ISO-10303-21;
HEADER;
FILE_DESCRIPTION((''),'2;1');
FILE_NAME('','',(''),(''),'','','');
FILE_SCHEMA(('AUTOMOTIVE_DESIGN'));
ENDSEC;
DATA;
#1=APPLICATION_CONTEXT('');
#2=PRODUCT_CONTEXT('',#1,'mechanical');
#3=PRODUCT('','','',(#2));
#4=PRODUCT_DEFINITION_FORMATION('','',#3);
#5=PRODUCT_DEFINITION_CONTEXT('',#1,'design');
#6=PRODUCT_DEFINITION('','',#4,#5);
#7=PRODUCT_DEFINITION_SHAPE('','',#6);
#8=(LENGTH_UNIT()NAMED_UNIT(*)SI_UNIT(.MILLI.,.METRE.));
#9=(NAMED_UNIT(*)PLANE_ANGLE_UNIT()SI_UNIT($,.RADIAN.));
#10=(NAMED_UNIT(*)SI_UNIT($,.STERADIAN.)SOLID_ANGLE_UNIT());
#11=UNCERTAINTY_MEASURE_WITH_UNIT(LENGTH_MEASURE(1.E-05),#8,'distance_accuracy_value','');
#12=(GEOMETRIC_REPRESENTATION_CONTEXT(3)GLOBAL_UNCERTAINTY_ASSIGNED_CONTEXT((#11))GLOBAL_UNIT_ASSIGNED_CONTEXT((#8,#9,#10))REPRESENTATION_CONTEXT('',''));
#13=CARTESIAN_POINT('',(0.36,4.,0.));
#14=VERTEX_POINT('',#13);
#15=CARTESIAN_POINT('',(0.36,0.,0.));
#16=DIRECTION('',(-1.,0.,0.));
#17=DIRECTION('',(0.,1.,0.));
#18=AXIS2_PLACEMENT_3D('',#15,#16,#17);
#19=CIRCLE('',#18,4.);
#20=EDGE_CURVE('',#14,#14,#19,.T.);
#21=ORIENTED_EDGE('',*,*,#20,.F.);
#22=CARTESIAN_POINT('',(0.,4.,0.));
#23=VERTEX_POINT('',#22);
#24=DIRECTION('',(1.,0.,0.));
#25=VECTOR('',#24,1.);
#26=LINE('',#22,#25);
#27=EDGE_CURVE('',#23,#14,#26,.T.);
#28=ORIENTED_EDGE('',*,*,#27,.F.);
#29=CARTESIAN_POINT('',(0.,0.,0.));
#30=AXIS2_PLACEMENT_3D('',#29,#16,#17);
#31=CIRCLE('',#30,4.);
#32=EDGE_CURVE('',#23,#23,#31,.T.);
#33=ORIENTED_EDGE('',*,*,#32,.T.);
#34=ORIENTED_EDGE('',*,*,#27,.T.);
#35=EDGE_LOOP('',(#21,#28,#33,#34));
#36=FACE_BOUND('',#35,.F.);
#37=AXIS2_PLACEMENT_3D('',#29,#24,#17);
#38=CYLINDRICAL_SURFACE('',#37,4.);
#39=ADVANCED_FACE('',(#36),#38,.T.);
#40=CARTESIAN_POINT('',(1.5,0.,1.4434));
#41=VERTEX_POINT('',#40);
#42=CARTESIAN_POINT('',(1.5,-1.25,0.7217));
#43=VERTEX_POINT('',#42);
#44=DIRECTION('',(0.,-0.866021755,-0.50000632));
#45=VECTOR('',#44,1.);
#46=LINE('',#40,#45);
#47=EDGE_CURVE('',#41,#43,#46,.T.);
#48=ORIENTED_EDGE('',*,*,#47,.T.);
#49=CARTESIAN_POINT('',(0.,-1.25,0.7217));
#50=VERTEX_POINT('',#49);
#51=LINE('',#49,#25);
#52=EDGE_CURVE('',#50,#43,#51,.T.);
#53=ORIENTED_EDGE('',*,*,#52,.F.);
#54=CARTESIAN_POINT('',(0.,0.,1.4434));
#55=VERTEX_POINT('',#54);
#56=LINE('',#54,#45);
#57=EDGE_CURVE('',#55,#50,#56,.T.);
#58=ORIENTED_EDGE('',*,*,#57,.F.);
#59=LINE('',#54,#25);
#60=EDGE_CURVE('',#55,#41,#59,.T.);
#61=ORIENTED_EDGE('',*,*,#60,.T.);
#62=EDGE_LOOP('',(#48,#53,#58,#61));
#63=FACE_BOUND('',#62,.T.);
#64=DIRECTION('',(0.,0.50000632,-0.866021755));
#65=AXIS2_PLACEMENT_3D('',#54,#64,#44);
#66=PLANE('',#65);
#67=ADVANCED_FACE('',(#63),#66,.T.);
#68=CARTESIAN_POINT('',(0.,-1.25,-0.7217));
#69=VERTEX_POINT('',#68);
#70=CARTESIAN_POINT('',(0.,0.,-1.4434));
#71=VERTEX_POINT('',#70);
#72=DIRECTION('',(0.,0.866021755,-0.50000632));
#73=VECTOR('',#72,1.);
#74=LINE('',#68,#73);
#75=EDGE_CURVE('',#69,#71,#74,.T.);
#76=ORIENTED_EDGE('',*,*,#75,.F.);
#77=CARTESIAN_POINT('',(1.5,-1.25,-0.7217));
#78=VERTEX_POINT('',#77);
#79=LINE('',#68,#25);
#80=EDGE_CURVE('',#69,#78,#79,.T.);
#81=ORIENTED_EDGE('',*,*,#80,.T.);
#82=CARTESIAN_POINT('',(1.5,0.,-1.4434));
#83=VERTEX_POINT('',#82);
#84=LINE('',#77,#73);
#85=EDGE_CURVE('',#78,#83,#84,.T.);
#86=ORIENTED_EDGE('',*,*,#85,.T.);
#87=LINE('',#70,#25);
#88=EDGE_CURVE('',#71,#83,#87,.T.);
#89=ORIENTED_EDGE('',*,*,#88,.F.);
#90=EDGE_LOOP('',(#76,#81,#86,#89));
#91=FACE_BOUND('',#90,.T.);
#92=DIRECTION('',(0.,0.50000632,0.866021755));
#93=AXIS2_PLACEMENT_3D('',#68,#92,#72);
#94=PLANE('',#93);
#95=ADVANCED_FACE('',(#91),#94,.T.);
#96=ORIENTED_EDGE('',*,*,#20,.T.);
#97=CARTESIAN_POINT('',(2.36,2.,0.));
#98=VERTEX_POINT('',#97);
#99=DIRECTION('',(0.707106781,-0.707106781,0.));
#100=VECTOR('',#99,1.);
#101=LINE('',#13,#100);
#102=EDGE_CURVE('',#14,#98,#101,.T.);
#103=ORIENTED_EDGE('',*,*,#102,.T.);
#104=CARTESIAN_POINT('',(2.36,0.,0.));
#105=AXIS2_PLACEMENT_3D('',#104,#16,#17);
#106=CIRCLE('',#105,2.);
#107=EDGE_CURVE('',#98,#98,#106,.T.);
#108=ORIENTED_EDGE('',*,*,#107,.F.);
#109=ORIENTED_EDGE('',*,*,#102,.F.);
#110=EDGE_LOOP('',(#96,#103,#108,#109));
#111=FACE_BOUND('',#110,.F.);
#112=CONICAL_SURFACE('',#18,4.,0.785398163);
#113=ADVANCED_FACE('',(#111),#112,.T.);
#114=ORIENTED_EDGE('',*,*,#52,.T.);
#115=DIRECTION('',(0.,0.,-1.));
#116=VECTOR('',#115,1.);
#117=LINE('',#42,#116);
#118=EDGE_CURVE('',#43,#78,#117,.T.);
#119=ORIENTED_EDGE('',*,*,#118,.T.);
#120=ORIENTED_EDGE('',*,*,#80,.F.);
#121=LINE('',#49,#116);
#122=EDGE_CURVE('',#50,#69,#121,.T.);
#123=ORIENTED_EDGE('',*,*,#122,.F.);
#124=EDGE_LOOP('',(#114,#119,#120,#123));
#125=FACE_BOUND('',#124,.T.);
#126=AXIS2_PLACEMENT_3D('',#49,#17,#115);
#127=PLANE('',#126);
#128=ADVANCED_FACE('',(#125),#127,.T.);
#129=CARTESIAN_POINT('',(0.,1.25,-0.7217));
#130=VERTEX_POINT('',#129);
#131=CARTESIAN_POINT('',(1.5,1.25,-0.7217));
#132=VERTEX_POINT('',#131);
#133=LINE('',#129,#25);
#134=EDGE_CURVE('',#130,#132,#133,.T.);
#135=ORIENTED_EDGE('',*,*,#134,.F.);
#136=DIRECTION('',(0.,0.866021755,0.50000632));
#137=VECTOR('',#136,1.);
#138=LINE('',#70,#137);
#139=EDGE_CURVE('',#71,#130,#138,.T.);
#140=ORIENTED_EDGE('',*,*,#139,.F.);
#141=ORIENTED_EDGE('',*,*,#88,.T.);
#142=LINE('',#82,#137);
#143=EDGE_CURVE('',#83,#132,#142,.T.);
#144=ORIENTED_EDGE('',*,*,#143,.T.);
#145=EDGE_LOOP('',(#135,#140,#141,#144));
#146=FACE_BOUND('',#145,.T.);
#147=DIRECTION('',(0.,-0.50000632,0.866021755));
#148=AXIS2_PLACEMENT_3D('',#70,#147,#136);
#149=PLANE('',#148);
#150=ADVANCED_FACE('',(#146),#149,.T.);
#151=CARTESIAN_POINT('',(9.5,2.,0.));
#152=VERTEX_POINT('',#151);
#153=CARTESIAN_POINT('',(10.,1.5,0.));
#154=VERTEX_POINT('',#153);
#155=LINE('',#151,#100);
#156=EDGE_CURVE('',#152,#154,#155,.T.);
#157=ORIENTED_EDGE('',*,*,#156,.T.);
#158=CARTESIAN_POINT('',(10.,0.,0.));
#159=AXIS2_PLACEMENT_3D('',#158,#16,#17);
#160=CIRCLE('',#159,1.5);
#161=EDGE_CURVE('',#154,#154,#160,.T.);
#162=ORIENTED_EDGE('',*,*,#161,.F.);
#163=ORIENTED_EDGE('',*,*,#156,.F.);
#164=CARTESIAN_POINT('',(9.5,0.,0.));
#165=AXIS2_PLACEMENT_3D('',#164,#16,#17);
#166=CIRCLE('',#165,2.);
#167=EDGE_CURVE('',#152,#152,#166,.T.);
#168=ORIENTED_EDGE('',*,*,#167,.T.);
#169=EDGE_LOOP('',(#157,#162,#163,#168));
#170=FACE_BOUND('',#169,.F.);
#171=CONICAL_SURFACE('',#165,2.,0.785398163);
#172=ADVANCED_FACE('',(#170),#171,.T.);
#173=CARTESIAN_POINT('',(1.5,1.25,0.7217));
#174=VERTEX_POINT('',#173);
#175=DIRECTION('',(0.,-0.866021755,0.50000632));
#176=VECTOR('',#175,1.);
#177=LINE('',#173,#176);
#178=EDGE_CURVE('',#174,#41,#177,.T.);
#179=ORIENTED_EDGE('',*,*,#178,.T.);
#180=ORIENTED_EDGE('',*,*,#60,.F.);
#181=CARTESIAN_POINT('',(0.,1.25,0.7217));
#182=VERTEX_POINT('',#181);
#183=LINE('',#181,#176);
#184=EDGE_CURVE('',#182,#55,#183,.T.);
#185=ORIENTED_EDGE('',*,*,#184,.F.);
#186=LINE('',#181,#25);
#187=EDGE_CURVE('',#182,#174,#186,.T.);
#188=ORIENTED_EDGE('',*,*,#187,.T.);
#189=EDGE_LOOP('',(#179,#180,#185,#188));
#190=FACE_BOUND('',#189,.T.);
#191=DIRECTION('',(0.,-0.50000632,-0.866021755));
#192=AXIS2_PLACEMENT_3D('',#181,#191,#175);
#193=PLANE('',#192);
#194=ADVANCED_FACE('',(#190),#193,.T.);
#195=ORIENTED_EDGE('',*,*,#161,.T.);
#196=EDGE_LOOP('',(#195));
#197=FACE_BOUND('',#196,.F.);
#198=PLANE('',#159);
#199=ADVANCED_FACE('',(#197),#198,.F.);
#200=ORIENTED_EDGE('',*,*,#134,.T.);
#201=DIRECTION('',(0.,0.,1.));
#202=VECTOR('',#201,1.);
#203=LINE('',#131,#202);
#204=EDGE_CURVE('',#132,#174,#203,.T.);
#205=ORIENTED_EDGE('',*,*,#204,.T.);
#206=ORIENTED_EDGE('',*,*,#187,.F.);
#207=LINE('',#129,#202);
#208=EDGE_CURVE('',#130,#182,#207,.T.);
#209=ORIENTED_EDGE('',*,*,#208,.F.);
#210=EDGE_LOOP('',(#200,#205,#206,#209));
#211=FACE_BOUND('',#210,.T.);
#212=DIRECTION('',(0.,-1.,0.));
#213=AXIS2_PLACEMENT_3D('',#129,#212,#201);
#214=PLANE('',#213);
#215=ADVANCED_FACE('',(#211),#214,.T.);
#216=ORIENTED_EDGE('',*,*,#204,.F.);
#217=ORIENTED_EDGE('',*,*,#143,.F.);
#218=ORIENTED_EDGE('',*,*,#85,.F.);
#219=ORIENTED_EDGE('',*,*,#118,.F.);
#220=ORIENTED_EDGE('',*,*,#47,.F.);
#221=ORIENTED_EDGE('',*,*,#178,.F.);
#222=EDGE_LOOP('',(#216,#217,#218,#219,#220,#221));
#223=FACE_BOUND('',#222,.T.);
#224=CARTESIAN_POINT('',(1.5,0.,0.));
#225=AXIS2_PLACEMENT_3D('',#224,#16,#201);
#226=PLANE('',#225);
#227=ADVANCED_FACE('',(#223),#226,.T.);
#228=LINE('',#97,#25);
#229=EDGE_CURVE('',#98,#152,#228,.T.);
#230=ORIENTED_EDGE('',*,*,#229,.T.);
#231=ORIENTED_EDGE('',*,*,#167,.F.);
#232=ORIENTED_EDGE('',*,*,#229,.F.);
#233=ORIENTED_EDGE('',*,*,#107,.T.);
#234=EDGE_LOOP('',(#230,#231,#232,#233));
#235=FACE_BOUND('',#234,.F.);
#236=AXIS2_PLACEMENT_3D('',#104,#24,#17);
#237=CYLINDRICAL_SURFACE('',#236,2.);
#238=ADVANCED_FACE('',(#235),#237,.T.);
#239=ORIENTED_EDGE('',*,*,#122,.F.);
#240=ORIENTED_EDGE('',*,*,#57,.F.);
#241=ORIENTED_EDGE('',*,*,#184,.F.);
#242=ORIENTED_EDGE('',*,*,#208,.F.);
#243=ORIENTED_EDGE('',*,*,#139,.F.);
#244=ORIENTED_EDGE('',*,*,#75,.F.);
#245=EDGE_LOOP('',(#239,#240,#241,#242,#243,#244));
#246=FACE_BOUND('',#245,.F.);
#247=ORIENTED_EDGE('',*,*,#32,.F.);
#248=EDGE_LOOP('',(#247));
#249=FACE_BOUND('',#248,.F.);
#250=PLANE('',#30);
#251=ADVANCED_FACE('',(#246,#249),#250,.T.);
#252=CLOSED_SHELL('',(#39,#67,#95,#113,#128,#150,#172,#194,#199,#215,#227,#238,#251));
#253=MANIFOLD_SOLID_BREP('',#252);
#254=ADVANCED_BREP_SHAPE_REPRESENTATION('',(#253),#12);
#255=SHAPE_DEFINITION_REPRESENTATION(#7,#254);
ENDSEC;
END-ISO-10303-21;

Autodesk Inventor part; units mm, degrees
ref_plane "YZ Plane" through (0, 0, 0) normal (1, 0, 0) x (0, 1, 0)
ref_plane "XZ Plane" through (0, 0, 0) normal (0, 1, 0) x (-1, 0, 0)
ref_plane "XY Plane" through (0, 0, 0) normal (0, 0, 1) x (1, 0, 0)
sketch "Sketch1" plane through (0, 0, 0) normal (0, 0, 1) x (1, 0, 0)
  line L0 (0, 0) -> (0, 4)
  line L1 (0, 4) -> (0.36, 4)
  line L2 (0.36, 4) -> (2.36, 2)
  line L3 (2.36, 2) -> (10, 2)
  line L4 (10, 2) -> (10, 0)
  line L5 (10, 0) -> (0, 0)
  dimension "d0" = 4
  dimension "d1" = 0.36
  dimension "d2" = 135
  dimension "d3" = 10
  dimension "d4" = 2
revolve "Revolution1" add sketch "Sketch1" angle 360 about axis through (10, 0, 0) along (-1, 0, 0)
chamfer "Chamfer1" distance 0.5 angle 45 1 edges at (10, -2, 0)
sketch "Sketch2" plane through (0, 0, 0) normal (-1, 0, 0) x (0, 0, 1)
  circle A0 centre (0, 0) radius 4 projected
  line L0 (-1.4434, 0) -> (-0.7217, 1.25)
  line L1 (-0.7217, 1.25) -> (0.7217, 1.25)
  line L2 (0.7217, 1.25) -> (1.4434, 0)
  line L3 (1.4434, 0) -> (0.7217, -1.25)
  line L4 (0.7217, -1.25) -> (-0.7217, -1.25)
  line L5 (-0.7217, -1.25) -> (-1.4434, 0)
  dimension "d9" = 2.5
extrude "Extrusion1" cut sketch "Sketch2" against normal blind 1.5 contours L0 L1 L2 L3 L4 L5
thread "Thread1" size "M4x0.7" class "6g" standard "ANSI Metric M Profile" full length
properties part number "FHS4x10" material "Steel, Alloy"
